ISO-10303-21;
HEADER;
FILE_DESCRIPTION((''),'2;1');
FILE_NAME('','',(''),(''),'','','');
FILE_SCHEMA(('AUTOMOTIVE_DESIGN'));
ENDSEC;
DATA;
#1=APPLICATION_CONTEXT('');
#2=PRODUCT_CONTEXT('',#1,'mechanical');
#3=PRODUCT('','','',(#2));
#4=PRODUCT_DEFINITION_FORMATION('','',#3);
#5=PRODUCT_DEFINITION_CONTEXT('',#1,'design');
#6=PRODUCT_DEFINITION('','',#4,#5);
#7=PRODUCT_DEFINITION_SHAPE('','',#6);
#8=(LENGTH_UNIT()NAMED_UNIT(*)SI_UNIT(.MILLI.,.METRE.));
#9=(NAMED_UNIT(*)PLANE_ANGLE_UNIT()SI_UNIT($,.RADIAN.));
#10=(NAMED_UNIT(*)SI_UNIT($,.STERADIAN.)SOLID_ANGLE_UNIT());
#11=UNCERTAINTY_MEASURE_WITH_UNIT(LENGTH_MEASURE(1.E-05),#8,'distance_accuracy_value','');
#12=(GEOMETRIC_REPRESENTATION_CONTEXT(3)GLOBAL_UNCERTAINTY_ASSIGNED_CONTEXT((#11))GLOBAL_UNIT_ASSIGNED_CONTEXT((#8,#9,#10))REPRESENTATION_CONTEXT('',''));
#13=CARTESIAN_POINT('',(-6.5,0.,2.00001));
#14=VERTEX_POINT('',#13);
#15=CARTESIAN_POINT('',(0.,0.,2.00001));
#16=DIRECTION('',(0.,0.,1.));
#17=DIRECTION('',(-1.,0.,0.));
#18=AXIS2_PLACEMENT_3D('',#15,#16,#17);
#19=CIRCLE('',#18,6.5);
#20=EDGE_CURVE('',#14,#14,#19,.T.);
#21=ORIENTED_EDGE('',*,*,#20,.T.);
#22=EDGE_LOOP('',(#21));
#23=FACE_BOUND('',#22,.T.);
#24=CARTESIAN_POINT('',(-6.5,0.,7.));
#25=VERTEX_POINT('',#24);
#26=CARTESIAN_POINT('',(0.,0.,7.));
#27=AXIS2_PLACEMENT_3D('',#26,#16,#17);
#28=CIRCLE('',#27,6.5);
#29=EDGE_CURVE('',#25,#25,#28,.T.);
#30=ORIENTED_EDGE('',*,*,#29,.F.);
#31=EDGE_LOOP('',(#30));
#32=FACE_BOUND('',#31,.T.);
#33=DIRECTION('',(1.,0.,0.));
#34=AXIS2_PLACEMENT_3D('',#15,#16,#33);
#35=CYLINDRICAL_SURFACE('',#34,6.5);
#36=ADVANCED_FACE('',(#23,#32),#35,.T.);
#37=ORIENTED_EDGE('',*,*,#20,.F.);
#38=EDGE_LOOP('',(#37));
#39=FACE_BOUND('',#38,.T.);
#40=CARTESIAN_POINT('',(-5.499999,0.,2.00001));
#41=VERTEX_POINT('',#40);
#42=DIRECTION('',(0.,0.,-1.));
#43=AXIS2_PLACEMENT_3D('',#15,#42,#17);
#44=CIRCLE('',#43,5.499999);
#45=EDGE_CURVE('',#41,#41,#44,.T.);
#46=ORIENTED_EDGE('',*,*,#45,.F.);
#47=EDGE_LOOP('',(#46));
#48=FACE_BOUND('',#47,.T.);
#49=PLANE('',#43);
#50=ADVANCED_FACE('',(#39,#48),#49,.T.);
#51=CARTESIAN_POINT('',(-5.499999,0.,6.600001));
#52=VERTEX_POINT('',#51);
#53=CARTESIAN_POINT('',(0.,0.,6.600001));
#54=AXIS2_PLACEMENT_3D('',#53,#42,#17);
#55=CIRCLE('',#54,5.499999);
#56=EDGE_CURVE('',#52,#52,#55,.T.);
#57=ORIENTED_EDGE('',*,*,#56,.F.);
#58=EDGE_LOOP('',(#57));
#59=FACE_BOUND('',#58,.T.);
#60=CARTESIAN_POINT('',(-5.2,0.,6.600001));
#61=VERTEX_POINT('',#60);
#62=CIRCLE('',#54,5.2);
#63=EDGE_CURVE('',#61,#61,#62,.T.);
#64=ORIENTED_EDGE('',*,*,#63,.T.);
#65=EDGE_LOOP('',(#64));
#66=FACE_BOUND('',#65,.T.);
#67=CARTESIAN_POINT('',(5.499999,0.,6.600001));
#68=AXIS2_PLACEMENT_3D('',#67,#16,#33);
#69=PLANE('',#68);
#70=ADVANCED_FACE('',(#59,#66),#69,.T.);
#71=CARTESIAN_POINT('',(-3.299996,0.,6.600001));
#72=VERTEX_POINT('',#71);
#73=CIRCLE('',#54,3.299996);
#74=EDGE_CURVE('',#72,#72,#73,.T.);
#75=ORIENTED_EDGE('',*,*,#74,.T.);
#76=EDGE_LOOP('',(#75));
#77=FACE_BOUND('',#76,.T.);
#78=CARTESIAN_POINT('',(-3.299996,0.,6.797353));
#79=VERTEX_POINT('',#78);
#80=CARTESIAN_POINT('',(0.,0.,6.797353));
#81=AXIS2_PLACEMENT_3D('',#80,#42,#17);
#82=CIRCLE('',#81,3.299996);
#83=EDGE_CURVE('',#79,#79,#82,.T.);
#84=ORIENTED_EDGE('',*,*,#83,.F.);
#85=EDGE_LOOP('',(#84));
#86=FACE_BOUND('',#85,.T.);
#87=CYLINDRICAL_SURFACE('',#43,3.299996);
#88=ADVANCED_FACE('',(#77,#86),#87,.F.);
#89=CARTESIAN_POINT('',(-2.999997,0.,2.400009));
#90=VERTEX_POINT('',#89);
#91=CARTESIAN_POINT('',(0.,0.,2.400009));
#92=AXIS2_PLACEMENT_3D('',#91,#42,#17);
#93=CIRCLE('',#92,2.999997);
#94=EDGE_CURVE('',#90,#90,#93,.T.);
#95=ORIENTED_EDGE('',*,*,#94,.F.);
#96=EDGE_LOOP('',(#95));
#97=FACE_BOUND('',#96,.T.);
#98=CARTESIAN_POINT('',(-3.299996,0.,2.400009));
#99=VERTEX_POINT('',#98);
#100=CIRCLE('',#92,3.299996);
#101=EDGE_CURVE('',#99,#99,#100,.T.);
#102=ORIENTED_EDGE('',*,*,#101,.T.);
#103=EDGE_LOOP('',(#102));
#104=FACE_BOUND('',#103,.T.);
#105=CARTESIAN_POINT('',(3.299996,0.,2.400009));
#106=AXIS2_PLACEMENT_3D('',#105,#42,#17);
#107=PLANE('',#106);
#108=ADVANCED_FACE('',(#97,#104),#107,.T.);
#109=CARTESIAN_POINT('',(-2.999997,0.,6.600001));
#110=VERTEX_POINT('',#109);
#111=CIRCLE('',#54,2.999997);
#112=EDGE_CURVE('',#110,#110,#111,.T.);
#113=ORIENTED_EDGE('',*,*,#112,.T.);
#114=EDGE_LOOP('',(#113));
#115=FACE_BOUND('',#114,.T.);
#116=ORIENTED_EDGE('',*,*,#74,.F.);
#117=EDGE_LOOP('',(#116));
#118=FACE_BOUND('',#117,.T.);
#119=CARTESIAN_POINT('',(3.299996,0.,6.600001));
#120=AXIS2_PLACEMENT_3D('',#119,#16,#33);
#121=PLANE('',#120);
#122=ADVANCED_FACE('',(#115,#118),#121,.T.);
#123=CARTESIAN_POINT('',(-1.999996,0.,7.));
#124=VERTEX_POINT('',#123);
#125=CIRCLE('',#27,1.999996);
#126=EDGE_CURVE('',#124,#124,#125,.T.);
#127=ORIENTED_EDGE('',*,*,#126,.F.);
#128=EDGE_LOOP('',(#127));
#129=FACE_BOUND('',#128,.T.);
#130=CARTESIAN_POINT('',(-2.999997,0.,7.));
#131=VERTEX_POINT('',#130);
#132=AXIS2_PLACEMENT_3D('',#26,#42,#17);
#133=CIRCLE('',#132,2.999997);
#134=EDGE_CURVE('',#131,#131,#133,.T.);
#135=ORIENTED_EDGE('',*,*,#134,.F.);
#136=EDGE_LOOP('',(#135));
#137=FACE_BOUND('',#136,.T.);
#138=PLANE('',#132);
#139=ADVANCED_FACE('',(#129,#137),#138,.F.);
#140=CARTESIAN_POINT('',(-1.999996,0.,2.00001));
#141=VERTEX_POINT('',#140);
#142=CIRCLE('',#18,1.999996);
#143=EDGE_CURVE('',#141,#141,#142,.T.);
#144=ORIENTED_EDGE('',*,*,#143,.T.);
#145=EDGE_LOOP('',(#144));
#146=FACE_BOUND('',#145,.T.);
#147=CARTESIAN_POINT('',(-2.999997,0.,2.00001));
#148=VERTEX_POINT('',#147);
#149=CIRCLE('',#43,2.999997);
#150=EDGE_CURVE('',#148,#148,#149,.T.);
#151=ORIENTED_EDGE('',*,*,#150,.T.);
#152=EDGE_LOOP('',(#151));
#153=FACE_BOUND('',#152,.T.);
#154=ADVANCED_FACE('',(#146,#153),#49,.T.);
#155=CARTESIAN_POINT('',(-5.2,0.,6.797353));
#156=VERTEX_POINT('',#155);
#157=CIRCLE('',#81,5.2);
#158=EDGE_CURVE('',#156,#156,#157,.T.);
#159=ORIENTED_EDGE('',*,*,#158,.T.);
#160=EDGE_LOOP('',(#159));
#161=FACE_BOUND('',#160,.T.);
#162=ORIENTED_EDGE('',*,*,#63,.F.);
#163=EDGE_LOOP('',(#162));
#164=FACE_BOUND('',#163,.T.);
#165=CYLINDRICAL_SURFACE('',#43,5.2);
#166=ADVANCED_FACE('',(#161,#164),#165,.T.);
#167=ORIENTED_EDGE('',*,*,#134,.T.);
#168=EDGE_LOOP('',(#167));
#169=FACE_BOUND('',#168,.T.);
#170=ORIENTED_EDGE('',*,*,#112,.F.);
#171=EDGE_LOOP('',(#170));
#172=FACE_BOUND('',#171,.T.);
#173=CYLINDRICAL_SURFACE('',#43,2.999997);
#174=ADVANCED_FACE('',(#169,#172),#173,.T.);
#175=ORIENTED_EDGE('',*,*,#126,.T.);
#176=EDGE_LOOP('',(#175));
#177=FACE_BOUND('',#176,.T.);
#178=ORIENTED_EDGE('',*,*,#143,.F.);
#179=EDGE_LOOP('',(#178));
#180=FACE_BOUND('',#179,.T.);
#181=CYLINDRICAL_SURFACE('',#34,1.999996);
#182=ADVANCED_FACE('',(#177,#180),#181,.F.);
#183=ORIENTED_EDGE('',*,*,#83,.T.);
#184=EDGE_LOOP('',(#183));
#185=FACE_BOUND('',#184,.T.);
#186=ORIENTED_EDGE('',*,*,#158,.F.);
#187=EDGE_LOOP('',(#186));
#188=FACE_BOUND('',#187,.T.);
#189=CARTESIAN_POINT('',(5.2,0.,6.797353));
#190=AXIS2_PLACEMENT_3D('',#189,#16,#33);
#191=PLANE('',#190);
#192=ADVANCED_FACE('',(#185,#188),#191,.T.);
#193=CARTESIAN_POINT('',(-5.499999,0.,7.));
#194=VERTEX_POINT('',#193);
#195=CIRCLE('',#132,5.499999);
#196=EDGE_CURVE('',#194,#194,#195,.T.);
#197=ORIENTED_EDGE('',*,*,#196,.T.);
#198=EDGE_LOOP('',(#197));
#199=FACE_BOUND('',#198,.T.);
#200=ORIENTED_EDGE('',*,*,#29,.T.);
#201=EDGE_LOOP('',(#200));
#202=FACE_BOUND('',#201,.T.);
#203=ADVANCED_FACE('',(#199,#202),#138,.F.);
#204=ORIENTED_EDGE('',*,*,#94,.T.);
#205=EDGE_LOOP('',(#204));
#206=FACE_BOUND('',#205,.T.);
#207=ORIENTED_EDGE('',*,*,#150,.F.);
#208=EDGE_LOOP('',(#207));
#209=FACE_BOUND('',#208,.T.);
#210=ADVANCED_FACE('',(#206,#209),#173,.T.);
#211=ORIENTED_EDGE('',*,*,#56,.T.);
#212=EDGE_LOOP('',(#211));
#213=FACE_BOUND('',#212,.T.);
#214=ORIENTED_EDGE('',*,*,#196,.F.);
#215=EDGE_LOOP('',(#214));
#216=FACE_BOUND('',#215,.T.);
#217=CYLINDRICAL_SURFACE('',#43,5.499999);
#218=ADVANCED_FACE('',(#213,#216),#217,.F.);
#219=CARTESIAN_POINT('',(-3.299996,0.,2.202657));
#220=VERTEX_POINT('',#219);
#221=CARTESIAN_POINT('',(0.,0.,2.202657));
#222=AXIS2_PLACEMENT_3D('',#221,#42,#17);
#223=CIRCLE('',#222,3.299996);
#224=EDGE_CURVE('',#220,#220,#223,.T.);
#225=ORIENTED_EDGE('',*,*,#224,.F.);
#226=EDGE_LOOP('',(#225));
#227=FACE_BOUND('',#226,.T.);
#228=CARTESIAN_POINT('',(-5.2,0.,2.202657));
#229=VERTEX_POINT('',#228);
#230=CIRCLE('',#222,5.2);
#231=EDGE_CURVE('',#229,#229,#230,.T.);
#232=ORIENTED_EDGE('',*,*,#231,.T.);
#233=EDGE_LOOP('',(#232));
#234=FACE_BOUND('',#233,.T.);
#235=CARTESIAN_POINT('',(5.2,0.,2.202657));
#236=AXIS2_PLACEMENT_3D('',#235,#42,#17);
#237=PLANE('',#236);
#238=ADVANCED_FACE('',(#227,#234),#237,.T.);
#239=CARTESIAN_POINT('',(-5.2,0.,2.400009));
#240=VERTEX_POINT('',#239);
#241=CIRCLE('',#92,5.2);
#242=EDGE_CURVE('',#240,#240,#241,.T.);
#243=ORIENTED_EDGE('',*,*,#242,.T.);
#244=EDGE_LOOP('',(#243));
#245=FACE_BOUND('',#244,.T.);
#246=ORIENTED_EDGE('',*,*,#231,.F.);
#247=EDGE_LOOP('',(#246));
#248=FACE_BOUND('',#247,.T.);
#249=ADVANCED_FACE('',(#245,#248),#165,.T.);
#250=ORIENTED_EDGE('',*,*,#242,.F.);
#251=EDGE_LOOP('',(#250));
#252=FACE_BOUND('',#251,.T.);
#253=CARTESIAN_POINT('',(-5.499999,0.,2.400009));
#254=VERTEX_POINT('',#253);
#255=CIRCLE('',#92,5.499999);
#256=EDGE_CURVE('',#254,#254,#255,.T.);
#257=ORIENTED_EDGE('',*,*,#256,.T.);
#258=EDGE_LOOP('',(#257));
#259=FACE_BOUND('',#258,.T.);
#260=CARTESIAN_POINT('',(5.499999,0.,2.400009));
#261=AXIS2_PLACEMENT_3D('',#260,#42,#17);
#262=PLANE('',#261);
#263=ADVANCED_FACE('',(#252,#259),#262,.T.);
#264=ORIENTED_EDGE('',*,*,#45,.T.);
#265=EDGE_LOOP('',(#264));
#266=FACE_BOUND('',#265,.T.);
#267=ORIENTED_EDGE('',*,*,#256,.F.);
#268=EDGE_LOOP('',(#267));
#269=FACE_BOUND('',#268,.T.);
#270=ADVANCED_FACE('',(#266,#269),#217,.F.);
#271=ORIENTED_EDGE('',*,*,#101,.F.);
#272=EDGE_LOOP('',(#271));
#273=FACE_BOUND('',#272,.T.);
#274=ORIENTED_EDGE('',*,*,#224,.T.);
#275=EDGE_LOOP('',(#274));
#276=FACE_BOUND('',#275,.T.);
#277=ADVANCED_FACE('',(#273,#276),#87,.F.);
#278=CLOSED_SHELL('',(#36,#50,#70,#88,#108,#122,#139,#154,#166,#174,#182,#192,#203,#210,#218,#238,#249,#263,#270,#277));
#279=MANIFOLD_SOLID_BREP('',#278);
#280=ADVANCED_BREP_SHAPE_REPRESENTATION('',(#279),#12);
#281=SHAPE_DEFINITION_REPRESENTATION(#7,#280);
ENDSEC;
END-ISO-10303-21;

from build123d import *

# Parameters (mm, degrees)
SKETCH1_R           = 6.4999997
SKETCH1_R_2         = 1.999996
BOSS_EXTRUDE1_DEPTH = 4.99999


with BuildPart() as part:
    # Sketch1 → Boss-Extrude1 (new body)
    with BuildSketch(Plane.XY.offset(7)):
        with Locations(Location((0, 0, 0), (0, 0, 180))):
            Circle(SKETCH1_R)
        with Locations(Location((0, 0, 0), (0, 0, 180))):
            Circle(SKETCH1_R_2, mode=Mode.SUBTRACT)
    extrude(amount=-BOSS_EXTRUDE1_DEPTH)

    # Sketch4 → Cut-Revolve1 (revolve, cut)
    with BuildSketch(Plane(origin=(0, 0, 0), x_dir=(1, 0, 0), z_dir=(0, 1, 0)), mode=Mode.PRIVATE) as cut_revolve1_sk:
        Polygon((2.99999654, -2.4000092), (2.99999654, -2.00001), (5.49999916, -2.00001), (5.49999916, -2.4000092), (5.19999976, -2.4000092), (5.19999976, -2.202656618), (3.29999594, -2.202656618), (3.29999594, -2.4000092), align=None)
        Polygon((5.49999916, -7), (2.99999654, -7), (2.99999654, -6.6000008), (3.29999594, -6.6000008), (3.29999594, -6.797353382), (5.19999976, -6.797353382), (5.19999976, -6.6000008), (5.49999916, -6.6000008), align=None)
    revolve(cut_revolve1_sk.sketch.rotate(Axis((0, 0, 2.00001), (0, 0, 1)), 180), axis=Axis((0, 0, 2.00001), (0, 0, 1)), mode=Mode.SUBTRACT)


solid = part.part
